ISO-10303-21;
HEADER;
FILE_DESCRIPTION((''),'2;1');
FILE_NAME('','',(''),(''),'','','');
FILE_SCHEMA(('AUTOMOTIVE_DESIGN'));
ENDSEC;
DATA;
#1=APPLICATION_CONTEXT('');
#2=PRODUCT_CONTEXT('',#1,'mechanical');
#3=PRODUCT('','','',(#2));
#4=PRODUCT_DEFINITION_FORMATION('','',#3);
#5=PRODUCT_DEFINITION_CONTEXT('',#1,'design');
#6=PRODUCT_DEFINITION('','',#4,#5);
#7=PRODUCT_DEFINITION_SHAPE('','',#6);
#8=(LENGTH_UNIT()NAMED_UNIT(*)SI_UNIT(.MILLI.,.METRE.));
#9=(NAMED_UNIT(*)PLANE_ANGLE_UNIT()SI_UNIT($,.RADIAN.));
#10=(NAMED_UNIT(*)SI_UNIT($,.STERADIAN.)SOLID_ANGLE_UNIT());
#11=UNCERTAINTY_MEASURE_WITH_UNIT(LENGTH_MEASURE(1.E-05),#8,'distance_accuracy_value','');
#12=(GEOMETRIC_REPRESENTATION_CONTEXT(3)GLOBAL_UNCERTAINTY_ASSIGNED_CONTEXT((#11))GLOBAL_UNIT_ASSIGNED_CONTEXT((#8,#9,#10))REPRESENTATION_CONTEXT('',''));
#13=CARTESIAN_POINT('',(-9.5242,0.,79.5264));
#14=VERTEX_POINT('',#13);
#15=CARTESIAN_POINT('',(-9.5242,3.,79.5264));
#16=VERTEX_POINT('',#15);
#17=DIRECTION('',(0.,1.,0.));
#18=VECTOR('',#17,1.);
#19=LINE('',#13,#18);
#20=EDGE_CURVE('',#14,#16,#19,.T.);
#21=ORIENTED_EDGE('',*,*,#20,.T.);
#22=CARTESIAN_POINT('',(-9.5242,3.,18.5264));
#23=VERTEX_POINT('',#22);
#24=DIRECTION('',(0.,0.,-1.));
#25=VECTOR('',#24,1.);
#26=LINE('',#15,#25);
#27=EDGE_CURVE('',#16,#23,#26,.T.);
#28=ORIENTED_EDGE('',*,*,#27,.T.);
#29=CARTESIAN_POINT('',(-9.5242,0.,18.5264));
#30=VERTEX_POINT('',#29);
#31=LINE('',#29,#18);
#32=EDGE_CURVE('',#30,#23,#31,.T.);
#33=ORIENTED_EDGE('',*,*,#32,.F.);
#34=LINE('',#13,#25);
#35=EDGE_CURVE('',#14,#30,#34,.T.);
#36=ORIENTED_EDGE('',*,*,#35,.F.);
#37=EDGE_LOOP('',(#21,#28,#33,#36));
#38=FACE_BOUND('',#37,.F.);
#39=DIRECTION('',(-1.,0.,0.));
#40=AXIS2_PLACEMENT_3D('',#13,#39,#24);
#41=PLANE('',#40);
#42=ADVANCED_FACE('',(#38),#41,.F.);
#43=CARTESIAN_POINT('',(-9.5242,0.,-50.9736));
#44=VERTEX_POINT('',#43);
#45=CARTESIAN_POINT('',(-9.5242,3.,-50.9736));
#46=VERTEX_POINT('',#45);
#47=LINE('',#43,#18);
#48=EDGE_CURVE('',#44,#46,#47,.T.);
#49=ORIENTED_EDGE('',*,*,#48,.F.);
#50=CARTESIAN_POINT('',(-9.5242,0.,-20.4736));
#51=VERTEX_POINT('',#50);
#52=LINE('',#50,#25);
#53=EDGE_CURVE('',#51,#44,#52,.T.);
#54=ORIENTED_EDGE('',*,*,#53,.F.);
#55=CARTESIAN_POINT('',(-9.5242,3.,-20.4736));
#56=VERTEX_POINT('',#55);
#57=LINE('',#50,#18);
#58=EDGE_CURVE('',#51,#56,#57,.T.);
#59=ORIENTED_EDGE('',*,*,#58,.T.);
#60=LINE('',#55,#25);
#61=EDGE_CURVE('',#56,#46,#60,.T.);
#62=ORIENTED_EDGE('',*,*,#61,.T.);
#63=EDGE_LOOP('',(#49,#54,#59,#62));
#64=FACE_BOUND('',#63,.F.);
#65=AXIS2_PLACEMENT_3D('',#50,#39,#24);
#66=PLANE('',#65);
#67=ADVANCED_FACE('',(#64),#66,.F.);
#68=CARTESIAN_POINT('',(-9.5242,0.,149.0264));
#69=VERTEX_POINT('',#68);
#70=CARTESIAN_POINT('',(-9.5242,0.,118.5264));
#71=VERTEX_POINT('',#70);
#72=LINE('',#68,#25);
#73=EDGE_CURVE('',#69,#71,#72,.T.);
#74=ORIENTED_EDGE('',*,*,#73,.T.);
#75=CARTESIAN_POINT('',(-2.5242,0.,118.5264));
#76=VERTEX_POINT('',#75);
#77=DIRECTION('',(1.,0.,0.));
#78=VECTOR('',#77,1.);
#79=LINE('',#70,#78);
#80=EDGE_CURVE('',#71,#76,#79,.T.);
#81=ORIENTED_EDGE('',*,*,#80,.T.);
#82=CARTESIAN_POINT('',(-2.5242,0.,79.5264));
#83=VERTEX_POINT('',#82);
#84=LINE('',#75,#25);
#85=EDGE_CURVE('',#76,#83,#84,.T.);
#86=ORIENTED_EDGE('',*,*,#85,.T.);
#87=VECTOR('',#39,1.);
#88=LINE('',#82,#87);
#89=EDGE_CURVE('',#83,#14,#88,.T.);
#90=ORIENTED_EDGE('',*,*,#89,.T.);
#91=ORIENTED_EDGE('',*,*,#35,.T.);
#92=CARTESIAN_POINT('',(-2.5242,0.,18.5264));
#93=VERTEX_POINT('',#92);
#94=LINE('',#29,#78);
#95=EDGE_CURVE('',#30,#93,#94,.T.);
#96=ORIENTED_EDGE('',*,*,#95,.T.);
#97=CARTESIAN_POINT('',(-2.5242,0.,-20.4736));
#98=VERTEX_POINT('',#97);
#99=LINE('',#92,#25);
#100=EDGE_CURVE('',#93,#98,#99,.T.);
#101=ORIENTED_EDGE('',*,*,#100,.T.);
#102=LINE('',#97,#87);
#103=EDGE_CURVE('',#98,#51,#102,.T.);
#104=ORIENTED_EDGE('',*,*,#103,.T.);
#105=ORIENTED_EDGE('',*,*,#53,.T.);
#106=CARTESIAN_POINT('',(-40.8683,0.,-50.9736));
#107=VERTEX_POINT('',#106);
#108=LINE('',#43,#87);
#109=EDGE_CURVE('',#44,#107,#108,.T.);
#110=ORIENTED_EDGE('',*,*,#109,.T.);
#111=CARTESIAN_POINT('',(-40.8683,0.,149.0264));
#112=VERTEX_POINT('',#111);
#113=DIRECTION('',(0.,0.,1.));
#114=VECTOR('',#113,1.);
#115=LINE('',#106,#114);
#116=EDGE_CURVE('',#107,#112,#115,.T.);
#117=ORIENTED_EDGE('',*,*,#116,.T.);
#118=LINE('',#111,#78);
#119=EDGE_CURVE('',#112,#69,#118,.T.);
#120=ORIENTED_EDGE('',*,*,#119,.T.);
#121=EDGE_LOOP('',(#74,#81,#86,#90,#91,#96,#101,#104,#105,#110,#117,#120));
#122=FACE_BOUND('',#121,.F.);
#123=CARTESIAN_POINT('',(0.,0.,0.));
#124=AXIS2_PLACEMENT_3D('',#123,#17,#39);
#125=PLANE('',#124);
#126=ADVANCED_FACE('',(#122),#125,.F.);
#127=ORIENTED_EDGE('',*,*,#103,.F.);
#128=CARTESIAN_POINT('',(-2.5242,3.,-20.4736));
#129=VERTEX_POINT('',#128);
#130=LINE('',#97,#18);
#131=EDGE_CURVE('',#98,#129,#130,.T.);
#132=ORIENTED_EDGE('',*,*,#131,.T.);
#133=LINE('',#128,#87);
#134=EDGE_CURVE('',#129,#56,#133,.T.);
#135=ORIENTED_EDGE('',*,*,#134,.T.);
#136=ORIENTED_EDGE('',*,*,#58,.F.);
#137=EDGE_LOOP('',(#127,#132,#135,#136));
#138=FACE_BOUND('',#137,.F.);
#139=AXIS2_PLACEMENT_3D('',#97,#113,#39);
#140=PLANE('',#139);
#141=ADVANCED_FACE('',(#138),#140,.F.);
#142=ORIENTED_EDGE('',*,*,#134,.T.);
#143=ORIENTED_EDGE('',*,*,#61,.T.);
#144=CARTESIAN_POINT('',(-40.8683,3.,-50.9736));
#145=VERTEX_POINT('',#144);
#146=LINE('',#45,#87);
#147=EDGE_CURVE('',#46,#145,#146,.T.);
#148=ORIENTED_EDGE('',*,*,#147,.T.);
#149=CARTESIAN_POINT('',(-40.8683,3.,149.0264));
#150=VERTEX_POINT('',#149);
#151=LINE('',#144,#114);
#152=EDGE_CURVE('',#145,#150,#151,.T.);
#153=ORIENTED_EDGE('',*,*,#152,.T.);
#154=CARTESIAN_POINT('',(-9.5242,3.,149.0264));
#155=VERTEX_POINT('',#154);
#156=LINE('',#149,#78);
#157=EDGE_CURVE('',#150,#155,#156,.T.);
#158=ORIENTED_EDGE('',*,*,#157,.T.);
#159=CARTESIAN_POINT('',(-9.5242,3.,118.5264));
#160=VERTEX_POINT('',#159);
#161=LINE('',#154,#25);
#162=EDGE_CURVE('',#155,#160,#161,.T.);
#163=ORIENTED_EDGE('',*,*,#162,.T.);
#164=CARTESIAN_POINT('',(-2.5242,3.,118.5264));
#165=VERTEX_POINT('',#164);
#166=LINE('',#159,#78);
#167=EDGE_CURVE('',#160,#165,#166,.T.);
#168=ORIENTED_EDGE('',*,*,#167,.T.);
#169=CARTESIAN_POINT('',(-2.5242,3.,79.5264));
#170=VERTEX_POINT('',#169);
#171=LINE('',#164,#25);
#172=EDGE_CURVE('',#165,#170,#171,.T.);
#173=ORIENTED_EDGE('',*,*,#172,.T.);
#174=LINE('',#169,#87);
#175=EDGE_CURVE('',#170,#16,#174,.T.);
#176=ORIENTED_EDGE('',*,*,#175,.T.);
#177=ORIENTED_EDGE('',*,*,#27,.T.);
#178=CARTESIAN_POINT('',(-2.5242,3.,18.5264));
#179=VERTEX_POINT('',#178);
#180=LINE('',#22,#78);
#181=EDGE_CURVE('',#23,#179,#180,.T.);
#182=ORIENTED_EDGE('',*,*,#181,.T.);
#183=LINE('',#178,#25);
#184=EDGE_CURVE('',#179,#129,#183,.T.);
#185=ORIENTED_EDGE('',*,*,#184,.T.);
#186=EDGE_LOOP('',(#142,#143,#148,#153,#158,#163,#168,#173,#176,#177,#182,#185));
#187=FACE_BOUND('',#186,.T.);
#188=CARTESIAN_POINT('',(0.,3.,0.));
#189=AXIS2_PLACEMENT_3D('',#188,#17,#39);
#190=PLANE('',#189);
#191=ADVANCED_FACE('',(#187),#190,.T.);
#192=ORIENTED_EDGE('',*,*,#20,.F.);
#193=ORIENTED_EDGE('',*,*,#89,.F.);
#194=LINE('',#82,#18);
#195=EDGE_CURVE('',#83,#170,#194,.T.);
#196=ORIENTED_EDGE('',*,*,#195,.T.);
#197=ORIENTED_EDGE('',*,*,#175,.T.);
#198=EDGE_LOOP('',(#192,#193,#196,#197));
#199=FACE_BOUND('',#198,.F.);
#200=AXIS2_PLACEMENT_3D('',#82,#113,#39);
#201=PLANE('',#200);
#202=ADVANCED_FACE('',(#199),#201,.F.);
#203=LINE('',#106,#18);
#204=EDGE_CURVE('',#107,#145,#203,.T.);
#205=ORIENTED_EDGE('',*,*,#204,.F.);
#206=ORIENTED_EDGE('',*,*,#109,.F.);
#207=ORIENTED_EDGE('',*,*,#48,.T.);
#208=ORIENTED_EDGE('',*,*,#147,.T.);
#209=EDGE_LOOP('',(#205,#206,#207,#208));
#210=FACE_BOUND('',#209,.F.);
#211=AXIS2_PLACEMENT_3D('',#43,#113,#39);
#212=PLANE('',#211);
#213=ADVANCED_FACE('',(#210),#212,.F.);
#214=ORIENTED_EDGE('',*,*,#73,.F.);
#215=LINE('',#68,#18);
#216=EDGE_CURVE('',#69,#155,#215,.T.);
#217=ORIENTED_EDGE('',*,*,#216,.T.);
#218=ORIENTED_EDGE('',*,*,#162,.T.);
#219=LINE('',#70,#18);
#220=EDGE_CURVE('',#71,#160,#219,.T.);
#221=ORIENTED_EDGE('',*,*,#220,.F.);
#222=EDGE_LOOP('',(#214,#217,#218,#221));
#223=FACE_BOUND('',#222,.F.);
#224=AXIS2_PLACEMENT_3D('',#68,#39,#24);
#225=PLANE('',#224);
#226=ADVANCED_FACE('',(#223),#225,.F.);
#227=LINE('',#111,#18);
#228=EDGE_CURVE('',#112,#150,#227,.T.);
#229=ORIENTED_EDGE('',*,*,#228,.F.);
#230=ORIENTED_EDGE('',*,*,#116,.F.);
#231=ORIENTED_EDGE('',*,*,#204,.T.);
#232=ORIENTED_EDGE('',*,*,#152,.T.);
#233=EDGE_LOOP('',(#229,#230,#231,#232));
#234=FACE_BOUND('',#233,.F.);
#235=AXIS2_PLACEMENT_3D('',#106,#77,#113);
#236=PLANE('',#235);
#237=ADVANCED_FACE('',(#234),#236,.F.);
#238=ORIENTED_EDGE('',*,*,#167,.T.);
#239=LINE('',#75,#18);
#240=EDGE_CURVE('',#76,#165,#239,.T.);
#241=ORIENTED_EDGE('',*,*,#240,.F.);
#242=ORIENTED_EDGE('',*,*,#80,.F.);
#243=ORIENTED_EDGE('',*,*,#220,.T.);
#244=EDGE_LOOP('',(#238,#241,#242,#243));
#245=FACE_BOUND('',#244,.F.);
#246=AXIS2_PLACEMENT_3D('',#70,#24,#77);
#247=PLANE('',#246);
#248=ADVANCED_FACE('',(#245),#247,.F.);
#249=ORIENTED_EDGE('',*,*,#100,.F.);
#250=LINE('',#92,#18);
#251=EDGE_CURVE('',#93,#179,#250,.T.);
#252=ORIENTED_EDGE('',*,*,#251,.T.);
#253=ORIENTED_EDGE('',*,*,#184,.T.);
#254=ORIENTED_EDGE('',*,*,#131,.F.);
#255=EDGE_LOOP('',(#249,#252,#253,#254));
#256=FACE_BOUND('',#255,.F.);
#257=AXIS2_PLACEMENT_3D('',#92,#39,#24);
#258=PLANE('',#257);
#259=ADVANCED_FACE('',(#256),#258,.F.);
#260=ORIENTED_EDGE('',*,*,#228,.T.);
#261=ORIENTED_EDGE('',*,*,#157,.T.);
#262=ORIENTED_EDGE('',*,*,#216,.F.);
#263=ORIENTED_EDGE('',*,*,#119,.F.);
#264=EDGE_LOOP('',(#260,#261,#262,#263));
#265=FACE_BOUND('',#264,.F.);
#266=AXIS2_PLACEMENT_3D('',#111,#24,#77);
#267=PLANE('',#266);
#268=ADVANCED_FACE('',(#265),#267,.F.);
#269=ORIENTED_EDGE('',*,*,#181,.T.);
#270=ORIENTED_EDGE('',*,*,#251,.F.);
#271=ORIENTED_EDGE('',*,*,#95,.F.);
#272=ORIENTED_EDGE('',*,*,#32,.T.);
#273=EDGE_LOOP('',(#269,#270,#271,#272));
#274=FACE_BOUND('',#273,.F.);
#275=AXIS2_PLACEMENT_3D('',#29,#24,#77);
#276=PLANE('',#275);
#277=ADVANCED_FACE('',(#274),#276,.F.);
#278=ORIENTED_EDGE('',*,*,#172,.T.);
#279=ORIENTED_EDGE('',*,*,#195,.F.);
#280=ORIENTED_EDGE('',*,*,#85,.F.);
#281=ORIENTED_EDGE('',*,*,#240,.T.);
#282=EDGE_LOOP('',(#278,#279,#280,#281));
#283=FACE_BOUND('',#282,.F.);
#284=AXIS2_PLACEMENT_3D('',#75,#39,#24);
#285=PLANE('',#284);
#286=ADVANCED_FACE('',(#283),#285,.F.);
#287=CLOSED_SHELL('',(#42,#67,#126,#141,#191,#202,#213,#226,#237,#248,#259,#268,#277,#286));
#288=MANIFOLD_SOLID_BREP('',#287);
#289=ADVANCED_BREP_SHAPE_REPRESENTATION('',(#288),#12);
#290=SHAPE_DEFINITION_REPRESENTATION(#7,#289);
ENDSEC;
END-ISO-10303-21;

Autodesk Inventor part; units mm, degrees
ref_plane "YZ Plane" through (0, 0, 0) normal (1, 0, 0) x (0, 1, 0)
ref_plane "XZ Plane" through (0, 0, 0) normal (0, 1, 0) x (-1, 0, 0)
ref_plane "XY Plane" through (0, 0, 0) normal (0, 0, 1) x (1, 0, 0)
sketch "Sketch1" plane through (0, 0, 0) normal (0, 1, 0) x (-1, 0, 0)
  line L0 (40.8683, 149.0264) -> (9.5242, 149.0264)
  line L1 (9.5242, -50.9736) -> (40.8683, -50.9736)
  line L2 (40.8683, -50.9736) -> (40.8683, 149.0264)
  line L3 (9.5242, 118.5264) -> (2.5242, 118.5264)
  line L4 (2.5242, 118.5264) -> (2.5242, 79.5264)
  line L5 (2.5242, 79.5264) -> (9.5242, 79.5264)
  line L6 (9.5242, 18.5264) -> (2.5242, 18.5264)
  line L7 (2.5242, 18.5264) -> (2.5242, -20.4736)
  line L8 (2.5242, -20.4736) -> (9.5242, -20.4736)
  line L9 (9.5242, 149.0264) -> (9.5242, 118.5264)
  line L10 (9.5242, 79.5264) -> (9.5242, 18.5264)
  line L11 (9.5242, -20.4736) -> (9.5242, -50.9736)
  point P0 (0, 0)
  dimension "d1" = 200
  dimension "d2" = 30.5
  dimension "d3" = 30.5
  dimension "d4" = 61
  dimension "d5" = 39
  dimension "d6" = 7
extrude "Extrusion1" add sketch "Sketch1" along normal blind 3
properties part number "track_guides_3mm"
